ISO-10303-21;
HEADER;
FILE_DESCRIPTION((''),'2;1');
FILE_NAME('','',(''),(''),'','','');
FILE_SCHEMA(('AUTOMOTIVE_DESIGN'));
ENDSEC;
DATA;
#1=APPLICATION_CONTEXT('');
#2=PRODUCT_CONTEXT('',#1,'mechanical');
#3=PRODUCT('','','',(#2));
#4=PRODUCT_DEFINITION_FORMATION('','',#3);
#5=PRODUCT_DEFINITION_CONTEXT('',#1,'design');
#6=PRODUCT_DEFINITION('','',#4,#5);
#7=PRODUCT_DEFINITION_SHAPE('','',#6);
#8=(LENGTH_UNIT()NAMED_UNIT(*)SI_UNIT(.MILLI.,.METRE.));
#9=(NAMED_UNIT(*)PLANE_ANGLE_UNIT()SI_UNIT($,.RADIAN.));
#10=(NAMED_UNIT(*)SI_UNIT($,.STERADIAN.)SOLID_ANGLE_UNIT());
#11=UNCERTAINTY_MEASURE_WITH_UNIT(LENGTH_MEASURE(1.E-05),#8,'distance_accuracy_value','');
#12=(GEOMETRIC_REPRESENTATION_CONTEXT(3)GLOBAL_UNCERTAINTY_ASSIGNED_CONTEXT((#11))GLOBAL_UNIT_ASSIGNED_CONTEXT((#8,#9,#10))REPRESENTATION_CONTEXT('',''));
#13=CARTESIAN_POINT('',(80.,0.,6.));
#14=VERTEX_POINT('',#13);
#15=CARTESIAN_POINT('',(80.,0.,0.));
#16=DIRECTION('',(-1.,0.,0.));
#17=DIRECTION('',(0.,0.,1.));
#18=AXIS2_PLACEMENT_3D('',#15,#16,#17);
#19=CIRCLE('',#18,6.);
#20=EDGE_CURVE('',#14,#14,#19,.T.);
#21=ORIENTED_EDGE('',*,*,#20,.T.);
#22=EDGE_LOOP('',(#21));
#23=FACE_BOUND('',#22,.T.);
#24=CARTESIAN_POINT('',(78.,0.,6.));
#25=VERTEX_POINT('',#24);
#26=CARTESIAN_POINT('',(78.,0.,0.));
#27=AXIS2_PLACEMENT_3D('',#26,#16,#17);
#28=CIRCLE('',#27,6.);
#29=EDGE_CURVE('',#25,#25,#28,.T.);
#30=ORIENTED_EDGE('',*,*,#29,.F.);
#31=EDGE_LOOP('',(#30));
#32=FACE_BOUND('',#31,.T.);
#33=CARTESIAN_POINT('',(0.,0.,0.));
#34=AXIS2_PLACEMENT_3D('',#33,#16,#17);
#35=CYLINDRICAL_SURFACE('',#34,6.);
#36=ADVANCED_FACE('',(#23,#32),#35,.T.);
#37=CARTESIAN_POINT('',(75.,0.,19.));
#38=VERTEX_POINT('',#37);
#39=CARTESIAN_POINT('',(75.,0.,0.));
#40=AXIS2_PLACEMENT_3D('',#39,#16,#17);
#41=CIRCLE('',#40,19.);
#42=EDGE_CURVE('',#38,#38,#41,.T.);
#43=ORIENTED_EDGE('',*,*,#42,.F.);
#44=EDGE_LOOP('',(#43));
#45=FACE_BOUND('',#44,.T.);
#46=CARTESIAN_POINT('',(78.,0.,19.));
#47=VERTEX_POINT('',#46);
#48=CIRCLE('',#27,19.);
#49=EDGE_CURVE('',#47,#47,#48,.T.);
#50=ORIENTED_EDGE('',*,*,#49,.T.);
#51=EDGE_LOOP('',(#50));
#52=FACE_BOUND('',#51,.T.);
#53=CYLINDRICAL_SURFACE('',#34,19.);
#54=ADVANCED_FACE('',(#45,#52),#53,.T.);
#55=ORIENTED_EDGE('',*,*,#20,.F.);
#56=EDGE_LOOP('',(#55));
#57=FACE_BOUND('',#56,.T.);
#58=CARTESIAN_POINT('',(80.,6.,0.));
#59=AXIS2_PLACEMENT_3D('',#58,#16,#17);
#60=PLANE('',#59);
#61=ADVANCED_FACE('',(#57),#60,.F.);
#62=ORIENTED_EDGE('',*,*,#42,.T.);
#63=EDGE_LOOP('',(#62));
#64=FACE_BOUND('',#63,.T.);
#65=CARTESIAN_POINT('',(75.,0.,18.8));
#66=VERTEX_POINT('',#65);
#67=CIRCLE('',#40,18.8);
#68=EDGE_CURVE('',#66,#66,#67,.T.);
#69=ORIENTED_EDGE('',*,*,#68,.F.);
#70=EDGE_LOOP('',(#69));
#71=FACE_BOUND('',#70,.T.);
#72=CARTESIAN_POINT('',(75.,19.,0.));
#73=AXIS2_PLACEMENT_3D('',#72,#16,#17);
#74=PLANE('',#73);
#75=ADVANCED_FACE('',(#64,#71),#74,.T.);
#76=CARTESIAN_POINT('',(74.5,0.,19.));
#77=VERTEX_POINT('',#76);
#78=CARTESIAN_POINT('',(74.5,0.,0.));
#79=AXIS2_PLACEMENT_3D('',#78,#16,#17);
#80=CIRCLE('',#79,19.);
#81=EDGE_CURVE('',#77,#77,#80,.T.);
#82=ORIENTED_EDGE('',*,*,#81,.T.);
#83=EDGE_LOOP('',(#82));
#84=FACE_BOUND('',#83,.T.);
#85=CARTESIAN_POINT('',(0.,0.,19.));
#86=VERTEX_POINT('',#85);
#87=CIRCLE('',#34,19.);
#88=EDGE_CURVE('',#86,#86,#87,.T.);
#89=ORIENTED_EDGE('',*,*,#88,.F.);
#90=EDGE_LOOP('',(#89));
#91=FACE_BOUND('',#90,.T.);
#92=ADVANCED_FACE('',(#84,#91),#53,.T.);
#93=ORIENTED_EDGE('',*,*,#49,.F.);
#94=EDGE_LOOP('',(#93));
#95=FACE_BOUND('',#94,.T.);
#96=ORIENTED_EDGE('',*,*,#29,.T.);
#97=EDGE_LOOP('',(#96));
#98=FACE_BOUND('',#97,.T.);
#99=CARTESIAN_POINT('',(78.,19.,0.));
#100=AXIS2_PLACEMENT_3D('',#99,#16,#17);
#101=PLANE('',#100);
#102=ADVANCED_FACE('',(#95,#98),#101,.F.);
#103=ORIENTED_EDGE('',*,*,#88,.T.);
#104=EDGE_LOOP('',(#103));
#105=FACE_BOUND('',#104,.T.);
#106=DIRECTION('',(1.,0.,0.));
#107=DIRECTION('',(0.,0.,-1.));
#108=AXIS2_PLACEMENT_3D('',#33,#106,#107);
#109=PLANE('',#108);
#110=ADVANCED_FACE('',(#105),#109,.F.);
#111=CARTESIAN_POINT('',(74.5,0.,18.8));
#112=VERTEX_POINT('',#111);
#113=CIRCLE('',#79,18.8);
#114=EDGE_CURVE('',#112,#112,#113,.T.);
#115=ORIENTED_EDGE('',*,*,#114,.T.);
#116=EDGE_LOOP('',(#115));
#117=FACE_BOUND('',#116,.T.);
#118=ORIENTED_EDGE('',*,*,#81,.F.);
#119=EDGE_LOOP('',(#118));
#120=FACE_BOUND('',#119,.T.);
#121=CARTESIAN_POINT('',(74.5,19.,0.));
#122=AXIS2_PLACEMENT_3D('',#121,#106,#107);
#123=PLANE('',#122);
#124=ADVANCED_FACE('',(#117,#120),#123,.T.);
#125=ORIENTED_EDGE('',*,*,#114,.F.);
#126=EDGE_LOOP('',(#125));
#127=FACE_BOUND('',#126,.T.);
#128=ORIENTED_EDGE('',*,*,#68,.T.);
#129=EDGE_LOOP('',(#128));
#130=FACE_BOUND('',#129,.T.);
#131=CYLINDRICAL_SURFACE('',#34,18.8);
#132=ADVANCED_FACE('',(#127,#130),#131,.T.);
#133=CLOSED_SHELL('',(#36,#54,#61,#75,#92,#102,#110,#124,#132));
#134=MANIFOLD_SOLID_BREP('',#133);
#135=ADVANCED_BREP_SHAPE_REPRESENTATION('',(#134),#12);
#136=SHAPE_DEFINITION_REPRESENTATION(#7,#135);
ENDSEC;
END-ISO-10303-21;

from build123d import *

# Parameters (mm, degrees)
SKIZZE2_W = 0.5
SKIZZE2_H = 0.2


with BuildPart() as part:
    # Skizze1 → Rotation1 (revolve)
    with BuildSketch(Plane.XY):
        Polygon((0, 0), (0, 19), (78, 19), (78, 6), (80, 6), (80, 0), align=None)
    revolve(axis=Axis((0, 0, 0), (1, 0, 0)))

    # Skizze2 → Schnitt-Rotation1 (revolve, cut)
    with BuildSketch(Plane.XY):
        with Locations((74.75, 18.9)):
            Rectangle(SKIZZE2_W, SKIZZE2_H)
    revolve(axis=Axis((0, 0, 0), (1, 0, 0)), mode=Mode.SUBTRACT)


solid = part.part
